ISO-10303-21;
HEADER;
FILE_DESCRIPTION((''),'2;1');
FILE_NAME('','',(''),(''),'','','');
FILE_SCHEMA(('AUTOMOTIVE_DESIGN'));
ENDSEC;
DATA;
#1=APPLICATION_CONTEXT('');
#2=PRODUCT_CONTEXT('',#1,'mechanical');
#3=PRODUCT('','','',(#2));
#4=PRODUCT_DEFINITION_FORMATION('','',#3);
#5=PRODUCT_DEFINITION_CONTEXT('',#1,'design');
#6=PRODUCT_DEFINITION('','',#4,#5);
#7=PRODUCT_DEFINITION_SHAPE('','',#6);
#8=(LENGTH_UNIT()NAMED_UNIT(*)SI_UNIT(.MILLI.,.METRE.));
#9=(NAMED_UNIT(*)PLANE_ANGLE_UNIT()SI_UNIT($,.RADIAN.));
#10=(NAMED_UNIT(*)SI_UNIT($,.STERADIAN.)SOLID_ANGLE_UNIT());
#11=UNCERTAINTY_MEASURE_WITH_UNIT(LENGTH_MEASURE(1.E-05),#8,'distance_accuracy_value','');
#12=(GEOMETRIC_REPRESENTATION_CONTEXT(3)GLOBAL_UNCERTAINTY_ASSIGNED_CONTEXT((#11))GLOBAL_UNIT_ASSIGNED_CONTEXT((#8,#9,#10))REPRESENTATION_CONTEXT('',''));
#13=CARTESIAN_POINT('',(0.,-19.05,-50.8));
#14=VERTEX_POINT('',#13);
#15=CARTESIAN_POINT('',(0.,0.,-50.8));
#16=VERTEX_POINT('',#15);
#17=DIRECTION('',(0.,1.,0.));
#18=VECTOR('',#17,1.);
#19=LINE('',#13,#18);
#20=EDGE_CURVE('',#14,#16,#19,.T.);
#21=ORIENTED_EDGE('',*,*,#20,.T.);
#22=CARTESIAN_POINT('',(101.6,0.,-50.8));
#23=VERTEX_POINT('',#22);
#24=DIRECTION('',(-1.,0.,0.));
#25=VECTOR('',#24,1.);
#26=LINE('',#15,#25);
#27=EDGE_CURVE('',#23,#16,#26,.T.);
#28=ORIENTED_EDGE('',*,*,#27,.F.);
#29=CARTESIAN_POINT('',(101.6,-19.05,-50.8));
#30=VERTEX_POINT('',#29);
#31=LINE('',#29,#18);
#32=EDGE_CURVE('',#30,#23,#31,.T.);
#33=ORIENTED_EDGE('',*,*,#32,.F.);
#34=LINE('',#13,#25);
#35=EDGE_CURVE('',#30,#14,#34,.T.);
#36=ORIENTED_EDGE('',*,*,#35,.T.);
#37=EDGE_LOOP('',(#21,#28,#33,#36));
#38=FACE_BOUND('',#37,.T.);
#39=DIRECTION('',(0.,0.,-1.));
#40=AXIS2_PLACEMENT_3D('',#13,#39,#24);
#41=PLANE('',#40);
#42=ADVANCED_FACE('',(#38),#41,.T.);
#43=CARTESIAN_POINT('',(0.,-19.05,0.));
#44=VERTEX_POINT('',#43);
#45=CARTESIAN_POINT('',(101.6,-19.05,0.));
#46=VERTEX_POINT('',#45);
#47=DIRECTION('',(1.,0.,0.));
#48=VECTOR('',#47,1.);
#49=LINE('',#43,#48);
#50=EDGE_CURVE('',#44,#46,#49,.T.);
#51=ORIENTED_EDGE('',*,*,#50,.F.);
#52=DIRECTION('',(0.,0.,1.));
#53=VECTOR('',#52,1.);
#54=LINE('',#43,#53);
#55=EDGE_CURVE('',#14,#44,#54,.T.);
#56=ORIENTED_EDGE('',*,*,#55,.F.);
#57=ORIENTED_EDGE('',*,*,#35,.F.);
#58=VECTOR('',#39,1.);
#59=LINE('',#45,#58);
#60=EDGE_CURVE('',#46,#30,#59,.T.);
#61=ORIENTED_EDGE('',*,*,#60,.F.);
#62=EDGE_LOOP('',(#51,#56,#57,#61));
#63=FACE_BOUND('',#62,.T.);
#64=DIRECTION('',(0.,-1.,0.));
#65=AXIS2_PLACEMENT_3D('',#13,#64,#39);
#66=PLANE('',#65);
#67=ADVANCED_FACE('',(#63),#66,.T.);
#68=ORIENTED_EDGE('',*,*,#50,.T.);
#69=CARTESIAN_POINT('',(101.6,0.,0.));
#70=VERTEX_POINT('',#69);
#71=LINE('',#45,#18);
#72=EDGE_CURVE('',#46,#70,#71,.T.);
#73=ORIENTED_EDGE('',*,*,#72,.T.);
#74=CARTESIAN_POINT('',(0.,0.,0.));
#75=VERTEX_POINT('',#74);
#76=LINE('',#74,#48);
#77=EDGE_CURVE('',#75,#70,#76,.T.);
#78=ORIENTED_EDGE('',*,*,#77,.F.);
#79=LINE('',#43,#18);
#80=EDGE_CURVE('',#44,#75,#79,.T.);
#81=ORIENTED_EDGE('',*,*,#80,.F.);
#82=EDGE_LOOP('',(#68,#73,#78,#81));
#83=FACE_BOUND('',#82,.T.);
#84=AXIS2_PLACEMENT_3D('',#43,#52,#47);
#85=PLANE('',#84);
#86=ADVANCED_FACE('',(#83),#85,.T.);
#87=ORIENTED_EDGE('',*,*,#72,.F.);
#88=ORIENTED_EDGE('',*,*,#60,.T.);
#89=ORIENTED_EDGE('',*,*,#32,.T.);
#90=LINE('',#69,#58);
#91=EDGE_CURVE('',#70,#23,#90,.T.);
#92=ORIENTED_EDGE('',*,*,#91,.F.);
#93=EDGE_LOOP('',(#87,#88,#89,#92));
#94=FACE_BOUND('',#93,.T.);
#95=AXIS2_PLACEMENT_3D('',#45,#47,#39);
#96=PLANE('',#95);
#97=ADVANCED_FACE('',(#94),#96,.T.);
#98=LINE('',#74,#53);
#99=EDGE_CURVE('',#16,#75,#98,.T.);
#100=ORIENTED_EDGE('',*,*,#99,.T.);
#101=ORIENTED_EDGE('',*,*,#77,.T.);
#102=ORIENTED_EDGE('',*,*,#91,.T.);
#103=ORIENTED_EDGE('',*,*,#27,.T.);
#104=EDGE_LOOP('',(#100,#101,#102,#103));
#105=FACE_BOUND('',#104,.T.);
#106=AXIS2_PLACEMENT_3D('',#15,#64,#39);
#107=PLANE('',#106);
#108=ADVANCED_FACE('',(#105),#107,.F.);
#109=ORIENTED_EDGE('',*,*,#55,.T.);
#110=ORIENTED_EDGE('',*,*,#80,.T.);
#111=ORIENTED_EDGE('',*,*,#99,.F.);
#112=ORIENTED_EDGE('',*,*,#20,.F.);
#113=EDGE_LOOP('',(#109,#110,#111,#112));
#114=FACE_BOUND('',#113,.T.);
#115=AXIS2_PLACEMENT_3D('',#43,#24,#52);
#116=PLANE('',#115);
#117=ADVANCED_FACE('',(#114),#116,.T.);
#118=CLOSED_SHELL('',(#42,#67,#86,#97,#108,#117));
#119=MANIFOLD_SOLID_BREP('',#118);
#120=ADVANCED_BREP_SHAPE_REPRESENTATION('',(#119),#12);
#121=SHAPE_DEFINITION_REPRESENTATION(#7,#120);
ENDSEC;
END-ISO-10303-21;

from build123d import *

# Parameters (mm, degrees)
SKETCH7_W      = 101.6
SKETCH7_H      = 50.8
EXTRUDE6_DEPTH = 19.05


with BuildPart() as part:
    # Sketch7 → Extrude6 (new body)
    with BuildSketch(Plane(origin=(0, 0, 0), x_dir=(1, 0, 0), z_dir=(0, 1, 0))):
        with Locations((50.8, 25.4)):
            Rectangle(SKETCH7_W, SKETCH7_H)
    extrude(amount=-EXTRUDE6_DEPTH)


solid = part.part
